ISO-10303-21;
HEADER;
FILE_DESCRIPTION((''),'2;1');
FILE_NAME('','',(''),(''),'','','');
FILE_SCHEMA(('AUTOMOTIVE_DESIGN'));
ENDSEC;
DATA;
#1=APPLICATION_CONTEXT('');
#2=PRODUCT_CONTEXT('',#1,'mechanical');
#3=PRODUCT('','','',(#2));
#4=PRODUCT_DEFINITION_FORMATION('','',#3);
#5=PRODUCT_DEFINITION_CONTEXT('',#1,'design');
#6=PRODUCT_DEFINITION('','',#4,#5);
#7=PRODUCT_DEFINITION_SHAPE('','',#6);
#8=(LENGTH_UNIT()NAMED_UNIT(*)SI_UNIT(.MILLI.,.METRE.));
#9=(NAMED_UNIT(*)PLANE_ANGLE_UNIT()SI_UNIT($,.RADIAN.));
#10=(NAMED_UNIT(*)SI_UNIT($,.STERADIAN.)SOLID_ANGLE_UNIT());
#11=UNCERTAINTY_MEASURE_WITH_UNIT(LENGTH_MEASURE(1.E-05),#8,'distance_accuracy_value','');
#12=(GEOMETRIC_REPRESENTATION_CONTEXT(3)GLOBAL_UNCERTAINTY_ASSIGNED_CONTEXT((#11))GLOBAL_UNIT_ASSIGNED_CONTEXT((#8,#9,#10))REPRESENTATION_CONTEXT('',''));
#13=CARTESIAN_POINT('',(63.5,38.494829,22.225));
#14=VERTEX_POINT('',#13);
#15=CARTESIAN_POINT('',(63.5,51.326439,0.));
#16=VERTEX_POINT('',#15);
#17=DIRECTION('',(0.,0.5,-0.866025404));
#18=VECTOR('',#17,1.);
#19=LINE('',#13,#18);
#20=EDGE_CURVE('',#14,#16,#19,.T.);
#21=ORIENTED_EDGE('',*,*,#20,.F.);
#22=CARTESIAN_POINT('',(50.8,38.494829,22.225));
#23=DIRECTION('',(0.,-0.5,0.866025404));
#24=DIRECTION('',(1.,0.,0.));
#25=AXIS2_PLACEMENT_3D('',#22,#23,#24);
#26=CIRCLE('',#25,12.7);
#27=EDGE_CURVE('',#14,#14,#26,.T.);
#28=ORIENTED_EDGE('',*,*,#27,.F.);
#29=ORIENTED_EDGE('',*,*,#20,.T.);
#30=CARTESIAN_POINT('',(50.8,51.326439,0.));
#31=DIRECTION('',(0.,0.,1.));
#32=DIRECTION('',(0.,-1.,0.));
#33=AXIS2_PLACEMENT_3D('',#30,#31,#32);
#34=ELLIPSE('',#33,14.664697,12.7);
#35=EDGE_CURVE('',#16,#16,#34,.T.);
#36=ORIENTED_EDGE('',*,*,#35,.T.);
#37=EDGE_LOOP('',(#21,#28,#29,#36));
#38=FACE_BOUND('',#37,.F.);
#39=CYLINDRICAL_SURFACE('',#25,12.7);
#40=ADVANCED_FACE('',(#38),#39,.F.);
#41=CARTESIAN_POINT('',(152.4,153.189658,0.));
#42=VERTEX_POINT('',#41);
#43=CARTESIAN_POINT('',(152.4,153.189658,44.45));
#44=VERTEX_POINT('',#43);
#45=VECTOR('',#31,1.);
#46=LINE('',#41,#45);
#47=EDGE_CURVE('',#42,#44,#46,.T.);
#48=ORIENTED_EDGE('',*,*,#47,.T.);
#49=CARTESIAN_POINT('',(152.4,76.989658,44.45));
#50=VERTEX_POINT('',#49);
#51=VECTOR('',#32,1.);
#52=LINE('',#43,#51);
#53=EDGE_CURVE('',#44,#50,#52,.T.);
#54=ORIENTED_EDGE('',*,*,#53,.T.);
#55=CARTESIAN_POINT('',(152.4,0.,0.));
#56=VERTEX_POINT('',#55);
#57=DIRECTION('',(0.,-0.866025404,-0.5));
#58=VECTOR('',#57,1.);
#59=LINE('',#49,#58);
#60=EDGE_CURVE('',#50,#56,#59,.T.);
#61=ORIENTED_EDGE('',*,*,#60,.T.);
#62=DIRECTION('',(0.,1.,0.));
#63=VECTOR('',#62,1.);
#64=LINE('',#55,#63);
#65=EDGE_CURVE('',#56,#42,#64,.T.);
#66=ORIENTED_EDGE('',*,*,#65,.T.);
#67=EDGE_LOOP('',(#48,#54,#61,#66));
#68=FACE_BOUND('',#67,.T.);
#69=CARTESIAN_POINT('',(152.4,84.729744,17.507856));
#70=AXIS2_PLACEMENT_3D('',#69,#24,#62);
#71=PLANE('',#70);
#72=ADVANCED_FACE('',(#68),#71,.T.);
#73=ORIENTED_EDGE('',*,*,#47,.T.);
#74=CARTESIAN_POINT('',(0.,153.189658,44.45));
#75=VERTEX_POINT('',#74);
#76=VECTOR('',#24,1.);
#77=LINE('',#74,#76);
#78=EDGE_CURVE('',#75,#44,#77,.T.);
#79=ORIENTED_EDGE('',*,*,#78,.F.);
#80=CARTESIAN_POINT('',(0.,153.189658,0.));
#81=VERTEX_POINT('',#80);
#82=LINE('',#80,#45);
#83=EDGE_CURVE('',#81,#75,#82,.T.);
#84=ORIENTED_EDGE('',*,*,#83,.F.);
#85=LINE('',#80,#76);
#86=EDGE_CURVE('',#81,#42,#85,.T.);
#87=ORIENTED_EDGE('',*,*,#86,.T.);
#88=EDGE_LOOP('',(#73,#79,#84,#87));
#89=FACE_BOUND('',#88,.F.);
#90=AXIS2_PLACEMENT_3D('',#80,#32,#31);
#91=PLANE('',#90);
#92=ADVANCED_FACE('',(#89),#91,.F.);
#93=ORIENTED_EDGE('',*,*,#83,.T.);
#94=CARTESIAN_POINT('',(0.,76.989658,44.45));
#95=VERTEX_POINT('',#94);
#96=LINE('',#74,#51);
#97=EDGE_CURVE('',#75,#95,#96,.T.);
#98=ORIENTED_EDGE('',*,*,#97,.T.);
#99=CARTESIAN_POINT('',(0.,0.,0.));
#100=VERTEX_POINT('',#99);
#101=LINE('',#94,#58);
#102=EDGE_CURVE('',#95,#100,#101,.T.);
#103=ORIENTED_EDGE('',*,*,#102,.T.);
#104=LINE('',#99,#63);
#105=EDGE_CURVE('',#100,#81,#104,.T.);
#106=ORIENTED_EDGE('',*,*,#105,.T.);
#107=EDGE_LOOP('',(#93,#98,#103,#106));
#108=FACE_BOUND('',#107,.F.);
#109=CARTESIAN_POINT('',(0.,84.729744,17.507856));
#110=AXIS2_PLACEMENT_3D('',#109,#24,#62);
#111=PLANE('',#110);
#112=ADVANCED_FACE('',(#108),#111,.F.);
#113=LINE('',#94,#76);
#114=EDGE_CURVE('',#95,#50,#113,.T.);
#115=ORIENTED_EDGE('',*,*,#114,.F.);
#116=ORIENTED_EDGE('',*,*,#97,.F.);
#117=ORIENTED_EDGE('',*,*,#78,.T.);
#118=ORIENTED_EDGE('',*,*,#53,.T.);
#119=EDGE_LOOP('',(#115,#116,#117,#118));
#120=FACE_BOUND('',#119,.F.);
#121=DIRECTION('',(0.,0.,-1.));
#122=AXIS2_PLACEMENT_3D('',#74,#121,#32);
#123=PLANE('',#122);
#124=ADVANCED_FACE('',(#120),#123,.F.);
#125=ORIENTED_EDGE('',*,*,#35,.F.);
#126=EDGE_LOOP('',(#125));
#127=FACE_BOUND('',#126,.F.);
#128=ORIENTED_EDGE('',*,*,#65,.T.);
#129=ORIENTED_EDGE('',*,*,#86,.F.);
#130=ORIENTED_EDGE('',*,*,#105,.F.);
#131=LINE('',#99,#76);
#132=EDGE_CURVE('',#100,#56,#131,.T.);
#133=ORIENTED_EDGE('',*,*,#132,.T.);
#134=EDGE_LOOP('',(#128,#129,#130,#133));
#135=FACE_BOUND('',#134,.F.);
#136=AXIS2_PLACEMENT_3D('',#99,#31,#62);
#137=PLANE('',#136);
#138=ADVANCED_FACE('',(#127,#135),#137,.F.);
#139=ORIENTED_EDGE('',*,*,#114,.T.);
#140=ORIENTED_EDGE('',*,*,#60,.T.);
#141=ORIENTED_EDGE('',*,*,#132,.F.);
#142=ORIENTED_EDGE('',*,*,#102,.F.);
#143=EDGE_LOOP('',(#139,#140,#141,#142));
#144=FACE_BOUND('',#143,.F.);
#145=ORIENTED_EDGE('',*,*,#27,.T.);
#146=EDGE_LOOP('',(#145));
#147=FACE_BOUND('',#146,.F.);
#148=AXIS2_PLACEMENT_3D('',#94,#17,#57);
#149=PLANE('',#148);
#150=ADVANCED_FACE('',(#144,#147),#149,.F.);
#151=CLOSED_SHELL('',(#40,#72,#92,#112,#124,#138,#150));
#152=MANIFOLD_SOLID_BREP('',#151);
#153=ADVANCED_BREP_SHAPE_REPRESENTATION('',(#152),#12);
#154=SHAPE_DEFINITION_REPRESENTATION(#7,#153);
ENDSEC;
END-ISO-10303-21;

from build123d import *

# Parameters (mm, degrees)
F1_DEPTH = 152.4
F2_R     = 12.7
F3_DEPTH = 32.9965678842


with BuildPart() as f1:
    # F0 (on Right) → F1 (new body)
    with BuildSketch(Plane.YZ):
        Polygon((76.9896583964, 44.45), (0, 0), (153.1896583964, 0), (153.1896583964, 44.45), align=None)
    extrude(amount=F1_DEPTH)

    # F2 (on face) → F3 (cut, through all)
    with BuildSketch(Plane(origin=(0, 0, 0), x_dir=(1, 0, 0), z_dir=(0, -0.5, 0.8660254038))):
        with Locations((50.8, 44.45)):
            Circle(F2_R)
    extrude(amount=-F3_DEPTH, mode=Mode.SUBTRACT)


solid = f1.part
